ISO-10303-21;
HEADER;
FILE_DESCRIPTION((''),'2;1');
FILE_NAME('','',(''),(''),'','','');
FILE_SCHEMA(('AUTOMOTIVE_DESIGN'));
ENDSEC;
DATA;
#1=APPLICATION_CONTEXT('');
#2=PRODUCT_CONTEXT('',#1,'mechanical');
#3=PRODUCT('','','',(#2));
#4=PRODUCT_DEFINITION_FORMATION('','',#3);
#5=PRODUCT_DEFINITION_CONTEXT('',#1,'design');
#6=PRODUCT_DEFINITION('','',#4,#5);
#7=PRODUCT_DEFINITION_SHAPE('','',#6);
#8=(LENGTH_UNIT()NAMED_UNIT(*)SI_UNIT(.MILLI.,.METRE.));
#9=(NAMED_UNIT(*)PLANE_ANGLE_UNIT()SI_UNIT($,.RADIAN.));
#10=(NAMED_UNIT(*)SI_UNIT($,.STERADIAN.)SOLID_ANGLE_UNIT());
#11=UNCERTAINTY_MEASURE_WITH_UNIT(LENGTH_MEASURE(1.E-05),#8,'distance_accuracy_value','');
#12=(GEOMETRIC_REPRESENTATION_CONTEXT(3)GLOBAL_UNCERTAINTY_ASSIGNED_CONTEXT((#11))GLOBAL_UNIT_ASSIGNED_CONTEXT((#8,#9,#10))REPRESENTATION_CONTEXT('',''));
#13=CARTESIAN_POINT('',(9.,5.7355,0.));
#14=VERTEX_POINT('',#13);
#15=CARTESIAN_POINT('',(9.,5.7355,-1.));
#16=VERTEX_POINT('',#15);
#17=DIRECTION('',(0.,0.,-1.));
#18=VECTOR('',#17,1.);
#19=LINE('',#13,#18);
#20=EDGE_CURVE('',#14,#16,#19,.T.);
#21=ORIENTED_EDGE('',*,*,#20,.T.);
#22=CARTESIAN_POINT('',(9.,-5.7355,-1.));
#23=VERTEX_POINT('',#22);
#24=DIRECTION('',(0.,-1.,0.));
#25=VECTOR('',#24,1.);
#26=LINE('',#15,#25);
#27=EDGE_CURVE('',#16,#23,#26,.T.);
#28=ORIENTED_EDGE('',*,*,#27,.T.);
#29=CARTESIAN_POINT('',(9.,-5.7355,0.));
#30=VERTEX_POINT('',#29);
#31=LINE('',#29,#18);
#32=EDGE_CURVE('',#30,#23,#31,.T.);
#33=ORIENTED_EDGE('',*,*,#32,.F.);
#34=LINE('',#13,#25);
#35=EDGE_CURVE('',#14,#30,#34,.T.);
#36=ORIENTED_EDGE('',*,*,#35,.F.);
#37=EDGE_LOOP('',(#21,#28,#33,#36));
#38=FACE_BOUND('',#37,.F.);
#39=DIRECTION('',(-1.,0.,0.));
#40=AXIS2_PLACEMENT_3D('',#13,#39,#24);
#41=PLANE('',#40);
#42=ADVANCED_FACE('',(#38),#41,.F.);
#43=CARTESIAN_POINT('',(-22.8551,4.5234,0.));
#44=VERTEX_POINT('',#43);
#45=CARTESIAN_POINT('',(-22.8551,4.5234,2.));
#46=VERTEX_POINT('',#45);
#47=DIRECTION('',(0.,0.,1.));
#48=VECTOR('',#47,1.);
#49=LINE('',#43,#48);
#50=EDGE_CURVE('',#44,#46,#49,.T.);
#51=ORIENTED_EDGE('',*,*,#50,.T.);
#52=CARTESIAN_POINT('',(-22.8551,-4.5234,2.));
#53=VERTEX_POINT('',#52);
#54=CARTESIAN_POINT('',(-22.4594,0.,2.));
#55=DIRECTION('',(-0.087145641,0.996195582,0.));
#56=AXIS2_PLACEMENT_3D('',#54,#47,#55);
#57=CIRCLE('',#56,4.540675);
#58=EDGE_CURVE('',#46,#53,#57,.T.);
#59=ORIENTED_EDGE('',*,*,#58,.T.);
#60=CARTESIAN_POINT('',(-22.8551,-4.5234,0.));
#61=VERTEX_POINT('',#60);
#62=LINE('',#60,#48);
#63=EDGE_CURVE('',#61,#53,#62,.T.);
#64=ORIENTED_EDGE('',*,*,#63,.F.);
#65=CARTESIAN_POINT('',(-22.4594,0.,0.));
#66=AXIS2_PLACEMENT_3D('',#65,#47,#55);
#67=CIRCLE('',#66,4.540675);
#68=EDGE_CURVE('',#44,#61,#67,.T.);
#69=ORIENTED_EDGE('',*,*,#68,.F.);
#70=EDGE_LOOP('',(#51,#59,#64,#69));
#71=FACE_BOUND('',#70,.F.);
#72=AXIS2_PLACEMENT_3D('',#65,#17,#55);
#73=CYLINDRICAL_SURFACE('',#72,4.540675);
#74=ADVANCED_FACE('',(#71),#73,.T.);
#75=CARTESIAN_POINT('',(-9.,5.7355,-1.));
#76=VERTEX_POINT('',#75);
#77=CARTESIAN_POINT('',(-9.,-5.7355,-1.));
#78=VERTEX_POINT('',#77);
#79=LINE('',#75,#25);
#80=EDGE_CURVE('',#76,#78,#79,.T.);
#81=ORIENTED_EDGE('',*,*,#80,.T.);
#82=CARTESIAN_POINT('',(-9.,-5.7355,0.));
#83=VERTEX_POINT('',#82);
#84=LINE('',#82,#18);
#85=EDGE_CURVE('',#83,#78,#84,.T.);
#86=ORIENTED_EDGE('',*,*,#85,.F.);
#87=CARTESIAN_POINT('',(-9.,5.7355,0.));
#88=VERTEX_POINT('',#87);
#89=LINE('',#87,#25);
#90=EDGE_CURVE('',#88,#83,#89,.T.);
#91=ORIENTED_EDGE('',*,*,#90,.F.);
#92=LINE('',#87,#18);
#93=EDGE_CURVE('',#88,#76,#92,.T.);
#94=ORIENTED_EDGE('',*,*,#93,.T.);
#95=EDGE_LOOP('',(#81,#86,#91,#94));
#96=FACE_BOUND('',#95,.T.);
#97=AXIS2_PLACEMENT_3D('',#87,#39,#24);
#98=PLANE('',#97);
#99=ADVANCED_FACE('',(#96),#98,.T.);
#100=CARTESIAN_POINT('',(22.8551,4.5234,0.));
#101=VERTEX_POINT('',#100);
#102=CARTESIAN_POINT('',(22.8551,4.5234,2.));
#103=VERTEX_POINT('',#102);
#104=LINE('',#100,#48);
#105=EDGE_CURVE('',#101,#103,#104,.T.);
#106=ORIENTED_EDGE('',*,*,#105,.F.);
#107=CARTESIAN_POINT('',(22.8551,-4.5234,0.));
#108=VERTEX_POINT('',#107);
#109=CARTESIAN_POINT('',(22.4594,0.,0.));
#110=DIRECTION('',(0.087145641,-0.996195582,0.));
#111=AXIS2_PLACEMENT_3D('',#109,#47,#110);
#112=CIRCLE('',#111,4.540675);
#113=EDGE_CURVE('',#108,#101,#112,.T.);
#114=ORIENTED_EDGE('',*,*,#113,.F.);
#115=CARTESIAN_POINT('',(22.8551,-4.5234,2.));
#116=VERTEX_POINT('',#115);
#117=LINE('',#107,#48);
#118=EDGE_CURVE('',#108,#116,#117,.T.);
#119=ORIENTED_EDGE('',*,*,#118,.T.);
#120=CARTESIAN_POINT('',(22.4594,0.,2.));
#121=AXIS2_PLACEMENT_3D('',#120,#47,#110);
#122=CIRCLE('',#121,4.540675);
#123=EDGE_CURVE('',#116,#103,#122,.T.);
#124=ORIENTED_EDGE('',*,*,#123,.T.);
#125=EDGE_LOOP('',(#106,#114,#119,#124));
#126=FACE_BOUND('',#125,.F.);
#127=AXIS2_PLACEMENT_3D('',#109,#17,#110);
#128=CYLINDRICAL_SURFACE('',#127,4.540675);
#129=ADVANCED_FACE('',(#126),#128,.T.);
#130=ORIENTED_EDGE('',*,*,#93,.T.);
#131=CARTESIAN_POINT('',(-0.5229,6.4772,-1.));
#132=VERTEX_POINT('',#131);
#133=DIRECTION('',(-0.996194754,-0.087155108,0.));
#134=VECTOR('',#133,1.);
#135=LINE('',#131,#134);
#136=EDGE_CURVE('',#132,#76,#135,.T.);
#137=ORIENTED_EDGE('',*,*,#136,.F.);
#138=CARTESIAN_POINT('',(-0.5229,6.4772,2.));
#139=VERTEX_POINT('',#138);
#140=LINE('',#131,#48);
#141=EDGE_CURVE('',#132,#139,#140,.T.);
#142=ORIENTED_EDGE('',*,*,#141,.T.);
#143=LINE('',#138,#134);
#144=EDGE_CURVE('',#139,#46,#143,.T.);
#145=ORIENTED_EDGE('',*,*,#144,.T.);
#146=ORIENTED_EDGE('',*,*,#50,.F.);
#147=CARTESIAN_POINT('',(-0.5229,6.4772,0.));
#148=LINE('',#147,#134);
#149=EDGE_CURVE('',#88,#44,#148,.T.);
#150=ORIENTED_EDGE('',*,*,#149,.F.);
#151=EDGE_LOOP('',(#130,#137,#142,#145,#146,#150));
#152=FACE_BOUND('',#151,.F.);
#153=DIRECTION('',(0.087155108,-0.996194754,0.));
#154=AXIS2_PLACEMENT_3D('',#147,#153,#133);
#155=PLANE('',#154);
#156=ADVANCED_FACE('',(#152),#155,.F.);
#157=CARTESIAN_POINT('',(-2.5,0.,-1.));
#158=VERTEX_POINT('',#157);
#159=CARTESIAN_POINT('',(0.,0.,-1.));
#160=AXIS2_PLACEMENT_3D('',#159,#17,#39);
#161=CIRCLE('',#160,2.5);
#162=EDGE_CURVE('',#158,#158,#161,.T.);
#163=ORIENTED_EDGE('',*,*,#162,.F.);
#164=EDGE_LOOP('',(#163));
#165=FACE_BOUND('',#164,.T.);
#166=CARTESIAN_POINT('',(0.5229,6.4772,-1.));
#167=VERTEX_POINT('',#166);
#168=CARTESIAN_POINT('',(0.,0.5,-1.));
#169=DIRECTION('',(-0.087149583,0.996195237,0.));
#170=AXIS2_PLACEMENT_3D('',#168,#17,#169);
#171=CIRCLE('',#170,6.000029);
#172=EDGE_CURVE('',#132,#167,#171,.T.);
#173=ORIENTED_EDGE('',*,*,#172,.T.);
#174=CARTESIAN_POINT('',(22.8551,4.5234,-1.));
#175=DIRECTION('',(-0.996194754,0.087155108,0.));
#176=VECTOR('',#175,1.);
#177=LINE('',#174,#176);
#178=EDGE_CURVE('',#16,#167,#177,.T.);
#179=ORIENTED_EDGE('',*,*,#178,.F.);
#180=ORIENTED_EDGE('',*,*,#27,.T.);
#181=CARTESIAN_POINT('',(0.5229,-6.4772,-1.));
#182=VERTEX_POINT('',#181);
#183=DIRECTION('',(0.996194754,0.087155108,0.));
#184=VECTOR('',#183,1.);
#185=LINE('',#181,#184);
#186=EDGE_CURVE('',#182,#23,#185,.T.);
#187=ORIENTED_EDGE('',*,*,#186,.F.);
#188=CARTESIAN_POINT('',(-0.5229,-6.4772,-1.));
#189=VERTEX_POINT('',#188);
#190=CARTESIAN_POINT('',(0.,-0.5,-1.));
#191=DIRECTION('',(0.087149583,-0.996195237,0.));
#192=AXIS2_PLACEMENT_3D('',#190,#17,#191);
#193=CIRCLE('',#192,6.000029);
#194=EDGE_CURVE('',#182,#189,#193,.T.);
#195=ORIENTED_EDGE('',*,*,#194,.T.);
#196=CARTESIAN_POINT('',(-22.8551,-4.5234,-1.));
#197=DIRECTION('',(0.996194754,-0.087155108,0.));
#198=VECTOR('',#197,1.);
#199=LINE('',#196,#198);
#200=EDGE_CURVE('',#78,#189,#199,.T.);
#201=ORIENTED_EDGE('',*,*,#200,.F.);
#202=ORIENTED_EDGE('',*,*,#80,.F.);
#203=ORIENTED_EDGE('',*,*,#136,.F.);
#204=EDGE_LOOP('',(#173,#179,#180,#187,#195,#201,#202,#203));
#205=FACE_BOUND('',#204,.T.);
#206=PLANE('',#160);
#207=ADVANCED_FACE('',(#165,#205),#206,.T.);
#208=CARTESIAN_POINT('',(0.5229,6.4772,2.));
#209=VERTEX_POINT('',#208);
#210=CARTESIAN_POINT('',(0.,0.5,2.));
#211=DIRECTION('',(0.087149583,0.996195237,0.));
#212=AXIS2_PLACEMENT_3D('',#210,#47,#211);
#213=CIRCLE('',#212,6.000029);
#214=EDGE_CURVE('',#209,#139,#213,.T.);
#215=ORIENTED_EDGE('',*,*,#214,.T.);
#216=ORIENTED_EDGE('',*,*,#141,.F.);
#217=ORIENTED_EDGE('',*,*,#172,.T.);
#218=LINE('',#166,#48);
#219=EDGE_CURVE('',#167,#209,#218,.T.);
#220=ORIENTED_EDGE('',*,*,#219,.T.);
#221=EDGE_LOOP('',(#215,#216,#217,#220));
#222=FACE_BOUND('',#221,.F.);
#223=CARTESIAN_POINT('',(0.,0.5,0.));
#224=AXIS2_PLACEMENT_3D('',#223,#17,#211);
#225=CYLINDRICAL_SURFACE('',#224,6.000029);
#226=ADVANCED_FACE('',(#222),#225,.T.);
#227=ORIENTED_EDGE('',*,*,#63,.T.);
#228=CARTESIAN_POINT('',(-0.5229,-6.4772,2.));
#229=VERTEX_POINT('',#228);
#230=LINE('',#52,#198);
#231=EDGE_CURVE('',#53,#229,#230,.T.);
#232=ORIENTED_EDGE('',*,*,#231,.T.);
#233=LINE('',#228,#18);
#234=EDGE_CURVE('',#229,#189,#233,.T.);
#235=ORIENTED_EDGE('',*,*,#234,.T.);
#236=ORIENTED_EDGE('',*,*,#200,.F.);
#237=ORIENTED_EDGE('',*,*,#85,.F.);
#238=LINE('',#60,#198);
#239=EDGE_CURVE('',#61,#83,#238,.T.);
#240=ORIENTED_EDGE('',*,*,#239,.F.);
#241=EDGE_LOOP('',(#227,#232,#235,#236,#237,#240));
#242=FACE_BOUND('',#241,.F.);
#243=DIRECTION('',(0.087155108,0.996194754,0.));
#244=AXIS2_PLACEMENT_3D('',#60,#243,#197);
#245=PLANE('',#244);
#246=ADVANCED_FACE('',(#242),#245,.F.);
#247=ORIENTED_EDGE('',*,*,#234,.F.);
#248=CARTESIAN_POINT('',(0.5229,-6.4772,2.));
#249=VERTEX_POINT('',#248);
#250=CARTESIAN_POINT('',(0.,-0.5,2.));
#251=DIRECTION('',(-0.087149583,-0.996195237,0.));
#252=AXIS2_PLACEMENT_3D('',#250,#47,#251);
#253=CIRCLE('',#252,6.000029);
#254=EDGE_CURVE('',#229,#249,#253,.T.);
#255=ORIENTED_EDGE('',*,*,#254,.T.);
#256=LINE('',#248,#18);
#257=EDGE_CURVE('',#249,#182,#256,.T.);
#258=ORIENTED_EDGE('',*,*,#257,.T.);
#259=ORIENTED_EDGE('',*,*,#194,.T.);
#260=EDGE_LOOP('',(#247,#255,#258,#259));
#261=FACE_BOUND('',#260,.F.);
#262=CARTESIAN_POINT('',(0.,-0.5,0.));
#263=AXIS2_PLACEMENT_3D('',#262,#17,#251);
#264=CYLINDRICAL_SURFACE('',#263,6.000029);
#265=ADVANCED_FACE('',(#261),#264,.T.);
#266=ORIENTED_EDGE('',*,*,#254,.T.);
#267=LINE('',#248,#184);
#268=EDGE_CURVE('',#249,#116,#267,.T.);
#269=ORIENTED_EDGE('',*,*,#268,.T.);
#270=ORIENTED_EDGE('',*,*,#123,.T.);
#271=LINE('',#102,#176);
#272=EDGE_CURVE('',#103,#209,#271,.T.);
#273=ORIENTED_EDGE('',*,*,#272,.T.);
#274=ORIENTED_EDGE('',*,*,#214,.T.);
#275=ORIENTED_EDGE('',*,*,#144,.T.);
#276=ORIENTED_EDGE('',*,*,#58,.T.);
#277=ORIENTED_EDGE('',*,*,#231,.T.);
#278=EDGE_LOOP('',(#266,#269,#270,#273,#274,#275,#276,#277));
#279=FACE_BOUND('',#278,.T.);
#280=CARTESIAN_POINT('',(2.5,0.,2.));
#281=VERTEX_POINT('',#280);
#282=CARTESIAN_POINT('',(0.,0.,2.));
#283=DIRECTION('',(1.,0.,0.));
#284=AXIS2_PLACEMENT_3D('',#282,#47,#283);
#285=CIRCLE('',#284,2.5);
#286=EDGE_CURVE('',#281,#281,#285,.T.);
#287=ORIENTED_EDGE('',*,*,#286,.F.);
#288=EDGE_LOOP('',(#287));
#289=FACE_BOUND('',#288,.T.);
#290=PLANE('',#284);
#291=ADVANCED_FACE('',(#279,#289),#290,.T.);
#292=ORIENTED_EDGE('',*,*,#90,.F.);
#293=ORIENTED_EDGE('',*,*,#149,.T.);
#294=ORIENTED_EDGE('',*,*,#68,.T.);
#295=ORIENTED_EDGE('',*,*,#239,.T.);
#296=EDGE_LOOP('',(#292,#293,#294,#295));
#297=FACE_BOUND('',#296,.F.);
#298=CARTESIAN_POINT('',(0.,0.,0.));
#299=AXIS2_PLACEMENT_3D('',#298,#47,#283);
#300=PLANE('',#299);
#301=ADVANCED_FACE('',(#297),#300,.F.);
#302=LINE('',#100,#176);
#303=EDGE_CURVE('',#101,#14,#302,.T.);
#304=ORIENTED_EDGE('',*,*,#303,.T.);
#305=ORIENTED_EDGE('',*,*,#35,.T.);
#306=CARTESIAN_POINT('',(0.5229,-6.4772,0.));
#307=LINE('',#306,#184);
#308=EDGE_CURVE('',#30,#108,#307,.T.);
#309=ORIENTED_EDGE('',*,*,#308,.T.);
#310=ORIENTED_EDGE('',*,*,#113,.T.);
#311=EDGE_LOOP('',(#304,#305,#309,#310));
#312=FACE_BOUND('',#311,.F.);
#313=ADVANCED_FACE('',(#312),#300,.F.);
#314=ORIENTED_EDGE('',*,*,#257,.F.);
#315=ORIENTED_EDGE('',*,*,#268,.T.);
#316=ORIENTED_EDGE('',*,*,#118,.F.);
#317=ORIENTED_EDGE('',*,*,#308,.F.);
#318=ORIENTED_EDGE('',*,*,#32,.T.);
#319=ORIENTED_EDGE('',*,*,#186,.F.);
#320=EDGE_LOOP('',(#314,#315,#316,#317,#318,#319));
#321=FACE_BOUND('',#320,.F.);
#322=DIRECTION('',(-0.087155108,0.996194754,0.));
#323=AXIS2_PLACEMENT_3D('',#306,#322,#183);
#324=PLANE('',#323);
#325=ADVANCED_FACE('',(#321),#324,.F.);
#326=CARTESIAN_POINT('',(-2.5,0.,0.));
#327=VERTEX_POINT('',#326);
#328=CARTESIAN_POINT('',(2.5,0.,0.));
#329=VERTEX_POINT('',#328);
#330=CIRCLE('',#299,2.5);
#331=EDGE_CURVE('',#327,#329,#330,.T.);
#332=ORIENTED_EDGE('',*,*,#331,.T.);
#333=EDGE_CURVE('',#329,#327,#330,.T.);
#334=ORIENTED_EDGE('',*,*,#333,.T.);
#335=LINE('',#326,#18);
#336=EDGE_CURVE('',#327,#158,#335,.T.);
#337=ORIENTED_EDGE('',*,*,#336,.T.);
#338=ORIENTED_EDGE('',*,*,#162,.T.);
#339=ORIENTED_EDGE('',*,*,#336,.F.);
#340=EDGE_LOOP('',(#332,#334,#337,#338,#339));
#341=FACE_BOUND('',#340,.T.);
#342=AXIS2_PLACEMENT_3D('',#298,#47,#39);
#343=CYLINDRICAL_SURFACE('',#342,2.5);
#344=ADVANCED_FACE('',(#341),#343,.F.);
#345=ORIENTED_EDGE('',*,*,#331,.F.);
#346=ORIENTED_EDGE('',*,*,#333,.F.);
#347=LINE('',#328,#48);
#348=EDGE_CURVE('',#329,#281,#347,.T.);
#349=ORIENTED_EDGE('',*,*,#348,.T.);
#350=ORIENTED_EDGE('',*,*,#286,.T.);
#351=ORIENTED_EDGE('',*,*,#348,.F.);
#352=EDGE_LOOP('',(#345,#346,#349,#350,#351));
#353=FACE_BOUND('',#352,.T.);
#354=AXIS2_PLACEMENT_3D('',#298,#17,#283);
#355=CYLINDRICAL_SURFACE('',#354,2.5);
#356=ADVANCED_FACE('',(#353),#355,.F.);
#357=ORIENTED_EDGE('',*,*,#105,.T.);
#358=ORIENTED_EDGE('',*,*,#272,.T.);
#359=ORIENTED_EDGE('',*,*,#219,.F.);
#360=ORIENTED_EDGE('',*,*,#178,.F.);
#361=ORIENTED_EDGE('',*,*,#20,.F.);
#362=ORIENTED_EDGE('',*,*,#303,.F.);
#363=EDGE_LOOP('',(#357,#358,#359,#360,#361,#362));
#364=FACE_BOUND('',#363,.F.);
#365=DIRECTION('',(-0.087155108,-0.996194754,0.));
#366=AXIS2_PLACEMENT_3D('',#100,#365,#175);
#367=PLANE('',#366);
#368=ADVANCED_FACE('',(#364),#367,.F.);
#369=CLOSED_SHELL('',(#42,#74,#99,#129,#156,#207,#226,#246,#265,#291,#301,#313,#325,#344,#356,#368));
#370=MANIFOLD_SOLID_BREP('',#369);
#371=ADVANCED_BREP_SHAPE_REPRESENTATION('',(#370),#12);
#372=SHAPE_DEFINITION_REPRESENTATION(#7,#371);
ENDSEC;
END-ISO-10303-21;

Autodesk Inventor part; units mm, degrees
ref_plane "YZ Plane" through (0, 0, 0) normal (1, 0, 0) x (0, 1, 0)
ref_plane "XZ Plane" through (0, 0, 0) normal (0, 1, 0) x (-1, 0, 0)
ref_plane "XY Plane" through (0, 0, 0) normal (0, 0, 1) x (1, 0, 0)
sketch "Sketch1" plane through (0, 0, 0) normal (0, 0, 1) x (1, 0, 0)
  line L0 (22.8551, 4.5234) -> (0.5229, 6.4772)
  arc A0 (0.5229, 6.4772) -> (-0.5229, 6.4772) centre (0, 0.5) ccw
  line L1 (-0.5229, 6.4772) -> (-22.8551, 4.5234)
  arc A1 (-22.8551, 4.5234) -> (-22.8551, -4.5234) centre (-22.4594, 0) ccw
  line L2 (-22.8551, -4.5234) -> (-0.5229, -6.4772)
  arc A2 (-0.5229, -6.4772) -> (0.5229, -6.4772) centre (0, -0.5) ccw
  line L3 (0.5229, -6.4772) -> (22.8551, -4.5234)
  arc A3 (22.8551, -4.5234) -> (22.8551, 4.5234) centre (22.4594, 0) ccw
  circle A4 centre (0, 0) radius 2.5
  dimension "d0" = 54
  dimension "d1" = 13
  dimension "d2" = 5
  dimension "d4" = 6
  dimension "d11" = 10
extrude "Extrusion1" add sketch "Sketch1" along normal blind 2
sketch "Sketch2" plane through (0, 0, 0) normal (0, 0, -1) x (-1, 0, 0)
  arc A0 (0.5229, 6.4772) -> (-0.5229, 6.4772) centre (0, 0.5) ccw projected
  line L0 (-22.8551, 4.5234) -> (-0.5229, 6.4772) projected
  arc A1 (-22.8551, 4.5234) -> (-22.8551, -4.5234) centre (-22.4594, 0) ccw construction
  line L1 (-0.5229, -6.4772) -> (-22.8551, -4.5234) projected
  arc A2 (-0.5229, -6.4772) -> (0.5229, -6.4772) centre (0, -0.5) ccw projected
  line L2 (22.8551, -4.5234) -> (0.5229, -6.4772) projected
  arc A3 (22.8551, -4.5234) -> (22.8551, 4.5234) centre (22.4594, 0) ccw construction
  line L3 (0.5229, 6.4772) -> (22.8551, 4.5234) projected
  circle A4 centre (0, 0) radius 2.5 projected
  line L4 (-9, 5.7355) -> (-9, -5.7355)
  line L5 (-22.8551, 4.5234) -> (-0.5229, 6.4772) construction
  line L6 (9, 5.7355) -> (9, -5.7355)
  line L7 (0.5229, 6.4772) -> (22.8551, 4.5234) construction
  point P0 (9, 5.7355)
  dimension "d7" = 18
  dimension "d8" = 9
extrude "Extrusion2" add sketch "Sketch2" along normal blind 1
properties part number "NyArm"
